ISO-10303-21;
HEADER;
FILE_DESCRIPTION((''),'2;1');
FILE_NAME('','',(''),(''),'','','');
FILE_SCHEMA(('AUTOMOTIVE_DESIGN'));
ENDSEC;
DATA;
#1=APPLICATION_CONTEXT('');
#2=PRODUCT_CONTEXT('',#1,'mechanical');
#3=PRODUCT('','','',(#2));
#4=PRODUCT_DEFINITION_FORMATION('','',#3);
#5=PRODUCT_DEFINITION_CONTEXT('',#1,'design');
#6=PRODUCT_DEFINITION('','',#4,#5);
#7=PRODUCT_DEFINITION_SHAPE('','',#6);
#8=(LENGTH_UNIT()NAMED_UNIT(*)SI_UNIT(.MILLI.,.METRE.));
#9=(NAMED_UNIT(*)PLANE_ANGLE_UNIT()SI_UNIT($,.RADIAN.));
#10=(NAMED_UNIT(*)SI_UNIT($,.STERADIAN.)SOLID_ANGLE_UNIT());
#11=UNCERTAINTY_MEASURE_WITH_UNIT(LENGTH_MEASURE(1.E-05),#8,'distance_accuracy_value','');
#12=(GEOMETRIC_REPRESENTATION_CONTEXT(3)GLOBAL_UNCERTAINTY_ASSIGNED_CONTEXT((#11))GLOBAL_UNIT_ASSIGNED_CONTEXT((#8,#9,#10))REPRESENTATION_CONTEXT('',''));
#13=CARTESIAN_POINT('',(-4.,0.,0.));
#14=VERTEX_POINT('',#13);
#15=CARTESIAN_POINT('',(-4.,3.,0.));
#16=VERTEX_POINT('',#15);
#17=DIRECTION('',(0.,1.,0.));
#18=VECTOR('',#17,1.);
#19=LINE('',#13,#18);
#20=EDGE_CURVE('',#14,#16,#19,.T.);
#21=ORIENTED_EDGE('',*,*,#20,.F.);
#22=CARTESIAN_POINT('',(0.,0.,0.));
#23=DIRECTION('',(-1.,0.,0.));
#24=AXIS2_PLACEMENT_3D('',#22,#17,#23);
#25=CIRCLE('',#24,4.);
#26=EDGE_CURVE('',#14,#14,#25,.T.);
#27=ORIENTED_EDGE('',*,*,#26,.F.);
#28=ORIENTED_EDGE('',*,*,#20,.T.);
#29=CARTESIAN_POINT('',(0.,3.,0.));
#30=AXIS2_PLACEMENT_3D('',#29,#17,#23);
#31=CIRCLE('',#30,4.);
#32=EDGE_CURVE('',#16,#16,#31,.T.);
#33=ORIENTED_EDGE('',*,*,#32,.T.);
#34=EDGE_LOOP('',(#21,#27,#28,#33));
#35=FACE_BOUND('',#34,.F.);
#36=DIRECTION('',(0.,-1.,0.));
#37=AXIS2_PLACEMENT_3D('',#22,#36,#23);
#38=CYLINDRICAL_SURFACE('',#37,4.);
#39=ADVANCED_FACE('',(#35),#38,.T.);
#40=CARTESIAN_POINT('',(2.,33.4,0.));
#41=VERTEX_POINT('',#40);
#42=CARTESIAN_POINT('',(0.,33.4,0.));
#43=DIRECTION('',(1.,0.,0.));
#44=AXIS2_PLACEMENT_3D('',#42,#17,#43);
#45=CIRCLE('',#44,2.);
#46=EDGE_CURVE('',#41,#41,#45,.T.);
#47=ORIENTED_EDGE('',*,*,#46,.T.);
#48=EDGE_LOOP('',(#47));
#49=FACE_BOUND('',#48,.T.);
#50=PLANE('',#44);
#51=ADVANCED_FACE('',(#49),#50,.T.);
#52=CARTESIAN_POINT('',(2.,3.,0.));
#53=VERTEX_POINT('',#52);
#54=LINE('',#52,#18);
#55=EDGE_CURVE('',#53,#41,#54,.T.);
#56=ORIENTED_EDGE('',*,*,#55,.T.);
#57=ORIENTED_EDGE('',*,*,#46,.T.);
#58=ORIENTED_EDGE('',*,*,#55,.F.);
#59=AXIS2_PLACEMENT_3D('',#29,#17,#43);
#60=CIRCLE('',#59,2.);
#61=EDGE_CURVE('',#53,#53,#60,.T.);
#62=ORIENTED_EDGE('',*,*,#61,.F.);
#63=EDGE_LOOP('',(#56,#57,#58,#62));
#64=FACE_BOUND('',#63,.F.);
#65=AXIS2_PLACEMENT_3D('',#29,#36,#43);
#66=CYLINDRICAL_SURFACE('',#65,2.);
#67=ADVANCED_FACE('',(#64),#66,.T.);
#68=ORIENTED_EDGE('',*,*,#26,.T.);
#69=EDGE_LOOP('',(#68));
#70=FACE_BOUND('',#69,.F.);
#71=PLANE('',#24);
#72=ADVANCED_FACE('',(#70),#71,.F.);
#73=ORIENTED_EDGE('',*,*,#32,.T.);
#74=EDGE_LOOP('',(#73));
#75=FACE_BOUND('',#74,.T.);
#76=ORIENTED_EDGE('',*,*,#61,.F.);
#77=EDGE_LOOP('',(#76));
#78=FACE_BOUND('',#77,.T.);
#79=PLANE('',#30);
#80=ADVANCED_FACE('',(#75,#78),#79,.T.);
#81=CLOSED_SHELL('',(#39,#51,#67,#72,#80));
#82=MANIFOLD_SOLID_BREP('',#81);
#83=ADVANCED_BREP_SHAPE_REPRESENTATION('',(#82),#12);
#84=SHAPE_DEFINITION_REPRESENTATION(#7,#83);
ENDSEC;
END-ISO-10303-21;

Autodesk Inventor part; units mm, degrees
ref_plane "YZ Plane" through (0, 0, 0) normal (1, 0, 0) x (0, 1, 0)
ref_plane "XZ Plane" through (0, 0, 0) normal (0, 1, 0) x (-1, 0, 0)
ref_plane "XY Plane" through (0, 0, 0) normal (0, 0, 1) x (1, 0, 0)
sketch "Sketch1" plane through (0, 0, 0) normal (0, 1, 0) x (-1, 0, 0)
  circle A0 centre (0, 0) radius 4
  dimension "d0" = 8
extrude "Extrusion1" add sketch "Sketch1" along normal blind 3
sketch "Sketch2" plane through (0, 3, 0) normal (0, 1, 0) x (1, 0, 0)
  circle A0 centre (0, 0) radius 2
  dimension "d3" = 4
extrude "Extrusion2" add sketch "Sketch2" along normal blind 30.4
properties part number "BearingShaft"
